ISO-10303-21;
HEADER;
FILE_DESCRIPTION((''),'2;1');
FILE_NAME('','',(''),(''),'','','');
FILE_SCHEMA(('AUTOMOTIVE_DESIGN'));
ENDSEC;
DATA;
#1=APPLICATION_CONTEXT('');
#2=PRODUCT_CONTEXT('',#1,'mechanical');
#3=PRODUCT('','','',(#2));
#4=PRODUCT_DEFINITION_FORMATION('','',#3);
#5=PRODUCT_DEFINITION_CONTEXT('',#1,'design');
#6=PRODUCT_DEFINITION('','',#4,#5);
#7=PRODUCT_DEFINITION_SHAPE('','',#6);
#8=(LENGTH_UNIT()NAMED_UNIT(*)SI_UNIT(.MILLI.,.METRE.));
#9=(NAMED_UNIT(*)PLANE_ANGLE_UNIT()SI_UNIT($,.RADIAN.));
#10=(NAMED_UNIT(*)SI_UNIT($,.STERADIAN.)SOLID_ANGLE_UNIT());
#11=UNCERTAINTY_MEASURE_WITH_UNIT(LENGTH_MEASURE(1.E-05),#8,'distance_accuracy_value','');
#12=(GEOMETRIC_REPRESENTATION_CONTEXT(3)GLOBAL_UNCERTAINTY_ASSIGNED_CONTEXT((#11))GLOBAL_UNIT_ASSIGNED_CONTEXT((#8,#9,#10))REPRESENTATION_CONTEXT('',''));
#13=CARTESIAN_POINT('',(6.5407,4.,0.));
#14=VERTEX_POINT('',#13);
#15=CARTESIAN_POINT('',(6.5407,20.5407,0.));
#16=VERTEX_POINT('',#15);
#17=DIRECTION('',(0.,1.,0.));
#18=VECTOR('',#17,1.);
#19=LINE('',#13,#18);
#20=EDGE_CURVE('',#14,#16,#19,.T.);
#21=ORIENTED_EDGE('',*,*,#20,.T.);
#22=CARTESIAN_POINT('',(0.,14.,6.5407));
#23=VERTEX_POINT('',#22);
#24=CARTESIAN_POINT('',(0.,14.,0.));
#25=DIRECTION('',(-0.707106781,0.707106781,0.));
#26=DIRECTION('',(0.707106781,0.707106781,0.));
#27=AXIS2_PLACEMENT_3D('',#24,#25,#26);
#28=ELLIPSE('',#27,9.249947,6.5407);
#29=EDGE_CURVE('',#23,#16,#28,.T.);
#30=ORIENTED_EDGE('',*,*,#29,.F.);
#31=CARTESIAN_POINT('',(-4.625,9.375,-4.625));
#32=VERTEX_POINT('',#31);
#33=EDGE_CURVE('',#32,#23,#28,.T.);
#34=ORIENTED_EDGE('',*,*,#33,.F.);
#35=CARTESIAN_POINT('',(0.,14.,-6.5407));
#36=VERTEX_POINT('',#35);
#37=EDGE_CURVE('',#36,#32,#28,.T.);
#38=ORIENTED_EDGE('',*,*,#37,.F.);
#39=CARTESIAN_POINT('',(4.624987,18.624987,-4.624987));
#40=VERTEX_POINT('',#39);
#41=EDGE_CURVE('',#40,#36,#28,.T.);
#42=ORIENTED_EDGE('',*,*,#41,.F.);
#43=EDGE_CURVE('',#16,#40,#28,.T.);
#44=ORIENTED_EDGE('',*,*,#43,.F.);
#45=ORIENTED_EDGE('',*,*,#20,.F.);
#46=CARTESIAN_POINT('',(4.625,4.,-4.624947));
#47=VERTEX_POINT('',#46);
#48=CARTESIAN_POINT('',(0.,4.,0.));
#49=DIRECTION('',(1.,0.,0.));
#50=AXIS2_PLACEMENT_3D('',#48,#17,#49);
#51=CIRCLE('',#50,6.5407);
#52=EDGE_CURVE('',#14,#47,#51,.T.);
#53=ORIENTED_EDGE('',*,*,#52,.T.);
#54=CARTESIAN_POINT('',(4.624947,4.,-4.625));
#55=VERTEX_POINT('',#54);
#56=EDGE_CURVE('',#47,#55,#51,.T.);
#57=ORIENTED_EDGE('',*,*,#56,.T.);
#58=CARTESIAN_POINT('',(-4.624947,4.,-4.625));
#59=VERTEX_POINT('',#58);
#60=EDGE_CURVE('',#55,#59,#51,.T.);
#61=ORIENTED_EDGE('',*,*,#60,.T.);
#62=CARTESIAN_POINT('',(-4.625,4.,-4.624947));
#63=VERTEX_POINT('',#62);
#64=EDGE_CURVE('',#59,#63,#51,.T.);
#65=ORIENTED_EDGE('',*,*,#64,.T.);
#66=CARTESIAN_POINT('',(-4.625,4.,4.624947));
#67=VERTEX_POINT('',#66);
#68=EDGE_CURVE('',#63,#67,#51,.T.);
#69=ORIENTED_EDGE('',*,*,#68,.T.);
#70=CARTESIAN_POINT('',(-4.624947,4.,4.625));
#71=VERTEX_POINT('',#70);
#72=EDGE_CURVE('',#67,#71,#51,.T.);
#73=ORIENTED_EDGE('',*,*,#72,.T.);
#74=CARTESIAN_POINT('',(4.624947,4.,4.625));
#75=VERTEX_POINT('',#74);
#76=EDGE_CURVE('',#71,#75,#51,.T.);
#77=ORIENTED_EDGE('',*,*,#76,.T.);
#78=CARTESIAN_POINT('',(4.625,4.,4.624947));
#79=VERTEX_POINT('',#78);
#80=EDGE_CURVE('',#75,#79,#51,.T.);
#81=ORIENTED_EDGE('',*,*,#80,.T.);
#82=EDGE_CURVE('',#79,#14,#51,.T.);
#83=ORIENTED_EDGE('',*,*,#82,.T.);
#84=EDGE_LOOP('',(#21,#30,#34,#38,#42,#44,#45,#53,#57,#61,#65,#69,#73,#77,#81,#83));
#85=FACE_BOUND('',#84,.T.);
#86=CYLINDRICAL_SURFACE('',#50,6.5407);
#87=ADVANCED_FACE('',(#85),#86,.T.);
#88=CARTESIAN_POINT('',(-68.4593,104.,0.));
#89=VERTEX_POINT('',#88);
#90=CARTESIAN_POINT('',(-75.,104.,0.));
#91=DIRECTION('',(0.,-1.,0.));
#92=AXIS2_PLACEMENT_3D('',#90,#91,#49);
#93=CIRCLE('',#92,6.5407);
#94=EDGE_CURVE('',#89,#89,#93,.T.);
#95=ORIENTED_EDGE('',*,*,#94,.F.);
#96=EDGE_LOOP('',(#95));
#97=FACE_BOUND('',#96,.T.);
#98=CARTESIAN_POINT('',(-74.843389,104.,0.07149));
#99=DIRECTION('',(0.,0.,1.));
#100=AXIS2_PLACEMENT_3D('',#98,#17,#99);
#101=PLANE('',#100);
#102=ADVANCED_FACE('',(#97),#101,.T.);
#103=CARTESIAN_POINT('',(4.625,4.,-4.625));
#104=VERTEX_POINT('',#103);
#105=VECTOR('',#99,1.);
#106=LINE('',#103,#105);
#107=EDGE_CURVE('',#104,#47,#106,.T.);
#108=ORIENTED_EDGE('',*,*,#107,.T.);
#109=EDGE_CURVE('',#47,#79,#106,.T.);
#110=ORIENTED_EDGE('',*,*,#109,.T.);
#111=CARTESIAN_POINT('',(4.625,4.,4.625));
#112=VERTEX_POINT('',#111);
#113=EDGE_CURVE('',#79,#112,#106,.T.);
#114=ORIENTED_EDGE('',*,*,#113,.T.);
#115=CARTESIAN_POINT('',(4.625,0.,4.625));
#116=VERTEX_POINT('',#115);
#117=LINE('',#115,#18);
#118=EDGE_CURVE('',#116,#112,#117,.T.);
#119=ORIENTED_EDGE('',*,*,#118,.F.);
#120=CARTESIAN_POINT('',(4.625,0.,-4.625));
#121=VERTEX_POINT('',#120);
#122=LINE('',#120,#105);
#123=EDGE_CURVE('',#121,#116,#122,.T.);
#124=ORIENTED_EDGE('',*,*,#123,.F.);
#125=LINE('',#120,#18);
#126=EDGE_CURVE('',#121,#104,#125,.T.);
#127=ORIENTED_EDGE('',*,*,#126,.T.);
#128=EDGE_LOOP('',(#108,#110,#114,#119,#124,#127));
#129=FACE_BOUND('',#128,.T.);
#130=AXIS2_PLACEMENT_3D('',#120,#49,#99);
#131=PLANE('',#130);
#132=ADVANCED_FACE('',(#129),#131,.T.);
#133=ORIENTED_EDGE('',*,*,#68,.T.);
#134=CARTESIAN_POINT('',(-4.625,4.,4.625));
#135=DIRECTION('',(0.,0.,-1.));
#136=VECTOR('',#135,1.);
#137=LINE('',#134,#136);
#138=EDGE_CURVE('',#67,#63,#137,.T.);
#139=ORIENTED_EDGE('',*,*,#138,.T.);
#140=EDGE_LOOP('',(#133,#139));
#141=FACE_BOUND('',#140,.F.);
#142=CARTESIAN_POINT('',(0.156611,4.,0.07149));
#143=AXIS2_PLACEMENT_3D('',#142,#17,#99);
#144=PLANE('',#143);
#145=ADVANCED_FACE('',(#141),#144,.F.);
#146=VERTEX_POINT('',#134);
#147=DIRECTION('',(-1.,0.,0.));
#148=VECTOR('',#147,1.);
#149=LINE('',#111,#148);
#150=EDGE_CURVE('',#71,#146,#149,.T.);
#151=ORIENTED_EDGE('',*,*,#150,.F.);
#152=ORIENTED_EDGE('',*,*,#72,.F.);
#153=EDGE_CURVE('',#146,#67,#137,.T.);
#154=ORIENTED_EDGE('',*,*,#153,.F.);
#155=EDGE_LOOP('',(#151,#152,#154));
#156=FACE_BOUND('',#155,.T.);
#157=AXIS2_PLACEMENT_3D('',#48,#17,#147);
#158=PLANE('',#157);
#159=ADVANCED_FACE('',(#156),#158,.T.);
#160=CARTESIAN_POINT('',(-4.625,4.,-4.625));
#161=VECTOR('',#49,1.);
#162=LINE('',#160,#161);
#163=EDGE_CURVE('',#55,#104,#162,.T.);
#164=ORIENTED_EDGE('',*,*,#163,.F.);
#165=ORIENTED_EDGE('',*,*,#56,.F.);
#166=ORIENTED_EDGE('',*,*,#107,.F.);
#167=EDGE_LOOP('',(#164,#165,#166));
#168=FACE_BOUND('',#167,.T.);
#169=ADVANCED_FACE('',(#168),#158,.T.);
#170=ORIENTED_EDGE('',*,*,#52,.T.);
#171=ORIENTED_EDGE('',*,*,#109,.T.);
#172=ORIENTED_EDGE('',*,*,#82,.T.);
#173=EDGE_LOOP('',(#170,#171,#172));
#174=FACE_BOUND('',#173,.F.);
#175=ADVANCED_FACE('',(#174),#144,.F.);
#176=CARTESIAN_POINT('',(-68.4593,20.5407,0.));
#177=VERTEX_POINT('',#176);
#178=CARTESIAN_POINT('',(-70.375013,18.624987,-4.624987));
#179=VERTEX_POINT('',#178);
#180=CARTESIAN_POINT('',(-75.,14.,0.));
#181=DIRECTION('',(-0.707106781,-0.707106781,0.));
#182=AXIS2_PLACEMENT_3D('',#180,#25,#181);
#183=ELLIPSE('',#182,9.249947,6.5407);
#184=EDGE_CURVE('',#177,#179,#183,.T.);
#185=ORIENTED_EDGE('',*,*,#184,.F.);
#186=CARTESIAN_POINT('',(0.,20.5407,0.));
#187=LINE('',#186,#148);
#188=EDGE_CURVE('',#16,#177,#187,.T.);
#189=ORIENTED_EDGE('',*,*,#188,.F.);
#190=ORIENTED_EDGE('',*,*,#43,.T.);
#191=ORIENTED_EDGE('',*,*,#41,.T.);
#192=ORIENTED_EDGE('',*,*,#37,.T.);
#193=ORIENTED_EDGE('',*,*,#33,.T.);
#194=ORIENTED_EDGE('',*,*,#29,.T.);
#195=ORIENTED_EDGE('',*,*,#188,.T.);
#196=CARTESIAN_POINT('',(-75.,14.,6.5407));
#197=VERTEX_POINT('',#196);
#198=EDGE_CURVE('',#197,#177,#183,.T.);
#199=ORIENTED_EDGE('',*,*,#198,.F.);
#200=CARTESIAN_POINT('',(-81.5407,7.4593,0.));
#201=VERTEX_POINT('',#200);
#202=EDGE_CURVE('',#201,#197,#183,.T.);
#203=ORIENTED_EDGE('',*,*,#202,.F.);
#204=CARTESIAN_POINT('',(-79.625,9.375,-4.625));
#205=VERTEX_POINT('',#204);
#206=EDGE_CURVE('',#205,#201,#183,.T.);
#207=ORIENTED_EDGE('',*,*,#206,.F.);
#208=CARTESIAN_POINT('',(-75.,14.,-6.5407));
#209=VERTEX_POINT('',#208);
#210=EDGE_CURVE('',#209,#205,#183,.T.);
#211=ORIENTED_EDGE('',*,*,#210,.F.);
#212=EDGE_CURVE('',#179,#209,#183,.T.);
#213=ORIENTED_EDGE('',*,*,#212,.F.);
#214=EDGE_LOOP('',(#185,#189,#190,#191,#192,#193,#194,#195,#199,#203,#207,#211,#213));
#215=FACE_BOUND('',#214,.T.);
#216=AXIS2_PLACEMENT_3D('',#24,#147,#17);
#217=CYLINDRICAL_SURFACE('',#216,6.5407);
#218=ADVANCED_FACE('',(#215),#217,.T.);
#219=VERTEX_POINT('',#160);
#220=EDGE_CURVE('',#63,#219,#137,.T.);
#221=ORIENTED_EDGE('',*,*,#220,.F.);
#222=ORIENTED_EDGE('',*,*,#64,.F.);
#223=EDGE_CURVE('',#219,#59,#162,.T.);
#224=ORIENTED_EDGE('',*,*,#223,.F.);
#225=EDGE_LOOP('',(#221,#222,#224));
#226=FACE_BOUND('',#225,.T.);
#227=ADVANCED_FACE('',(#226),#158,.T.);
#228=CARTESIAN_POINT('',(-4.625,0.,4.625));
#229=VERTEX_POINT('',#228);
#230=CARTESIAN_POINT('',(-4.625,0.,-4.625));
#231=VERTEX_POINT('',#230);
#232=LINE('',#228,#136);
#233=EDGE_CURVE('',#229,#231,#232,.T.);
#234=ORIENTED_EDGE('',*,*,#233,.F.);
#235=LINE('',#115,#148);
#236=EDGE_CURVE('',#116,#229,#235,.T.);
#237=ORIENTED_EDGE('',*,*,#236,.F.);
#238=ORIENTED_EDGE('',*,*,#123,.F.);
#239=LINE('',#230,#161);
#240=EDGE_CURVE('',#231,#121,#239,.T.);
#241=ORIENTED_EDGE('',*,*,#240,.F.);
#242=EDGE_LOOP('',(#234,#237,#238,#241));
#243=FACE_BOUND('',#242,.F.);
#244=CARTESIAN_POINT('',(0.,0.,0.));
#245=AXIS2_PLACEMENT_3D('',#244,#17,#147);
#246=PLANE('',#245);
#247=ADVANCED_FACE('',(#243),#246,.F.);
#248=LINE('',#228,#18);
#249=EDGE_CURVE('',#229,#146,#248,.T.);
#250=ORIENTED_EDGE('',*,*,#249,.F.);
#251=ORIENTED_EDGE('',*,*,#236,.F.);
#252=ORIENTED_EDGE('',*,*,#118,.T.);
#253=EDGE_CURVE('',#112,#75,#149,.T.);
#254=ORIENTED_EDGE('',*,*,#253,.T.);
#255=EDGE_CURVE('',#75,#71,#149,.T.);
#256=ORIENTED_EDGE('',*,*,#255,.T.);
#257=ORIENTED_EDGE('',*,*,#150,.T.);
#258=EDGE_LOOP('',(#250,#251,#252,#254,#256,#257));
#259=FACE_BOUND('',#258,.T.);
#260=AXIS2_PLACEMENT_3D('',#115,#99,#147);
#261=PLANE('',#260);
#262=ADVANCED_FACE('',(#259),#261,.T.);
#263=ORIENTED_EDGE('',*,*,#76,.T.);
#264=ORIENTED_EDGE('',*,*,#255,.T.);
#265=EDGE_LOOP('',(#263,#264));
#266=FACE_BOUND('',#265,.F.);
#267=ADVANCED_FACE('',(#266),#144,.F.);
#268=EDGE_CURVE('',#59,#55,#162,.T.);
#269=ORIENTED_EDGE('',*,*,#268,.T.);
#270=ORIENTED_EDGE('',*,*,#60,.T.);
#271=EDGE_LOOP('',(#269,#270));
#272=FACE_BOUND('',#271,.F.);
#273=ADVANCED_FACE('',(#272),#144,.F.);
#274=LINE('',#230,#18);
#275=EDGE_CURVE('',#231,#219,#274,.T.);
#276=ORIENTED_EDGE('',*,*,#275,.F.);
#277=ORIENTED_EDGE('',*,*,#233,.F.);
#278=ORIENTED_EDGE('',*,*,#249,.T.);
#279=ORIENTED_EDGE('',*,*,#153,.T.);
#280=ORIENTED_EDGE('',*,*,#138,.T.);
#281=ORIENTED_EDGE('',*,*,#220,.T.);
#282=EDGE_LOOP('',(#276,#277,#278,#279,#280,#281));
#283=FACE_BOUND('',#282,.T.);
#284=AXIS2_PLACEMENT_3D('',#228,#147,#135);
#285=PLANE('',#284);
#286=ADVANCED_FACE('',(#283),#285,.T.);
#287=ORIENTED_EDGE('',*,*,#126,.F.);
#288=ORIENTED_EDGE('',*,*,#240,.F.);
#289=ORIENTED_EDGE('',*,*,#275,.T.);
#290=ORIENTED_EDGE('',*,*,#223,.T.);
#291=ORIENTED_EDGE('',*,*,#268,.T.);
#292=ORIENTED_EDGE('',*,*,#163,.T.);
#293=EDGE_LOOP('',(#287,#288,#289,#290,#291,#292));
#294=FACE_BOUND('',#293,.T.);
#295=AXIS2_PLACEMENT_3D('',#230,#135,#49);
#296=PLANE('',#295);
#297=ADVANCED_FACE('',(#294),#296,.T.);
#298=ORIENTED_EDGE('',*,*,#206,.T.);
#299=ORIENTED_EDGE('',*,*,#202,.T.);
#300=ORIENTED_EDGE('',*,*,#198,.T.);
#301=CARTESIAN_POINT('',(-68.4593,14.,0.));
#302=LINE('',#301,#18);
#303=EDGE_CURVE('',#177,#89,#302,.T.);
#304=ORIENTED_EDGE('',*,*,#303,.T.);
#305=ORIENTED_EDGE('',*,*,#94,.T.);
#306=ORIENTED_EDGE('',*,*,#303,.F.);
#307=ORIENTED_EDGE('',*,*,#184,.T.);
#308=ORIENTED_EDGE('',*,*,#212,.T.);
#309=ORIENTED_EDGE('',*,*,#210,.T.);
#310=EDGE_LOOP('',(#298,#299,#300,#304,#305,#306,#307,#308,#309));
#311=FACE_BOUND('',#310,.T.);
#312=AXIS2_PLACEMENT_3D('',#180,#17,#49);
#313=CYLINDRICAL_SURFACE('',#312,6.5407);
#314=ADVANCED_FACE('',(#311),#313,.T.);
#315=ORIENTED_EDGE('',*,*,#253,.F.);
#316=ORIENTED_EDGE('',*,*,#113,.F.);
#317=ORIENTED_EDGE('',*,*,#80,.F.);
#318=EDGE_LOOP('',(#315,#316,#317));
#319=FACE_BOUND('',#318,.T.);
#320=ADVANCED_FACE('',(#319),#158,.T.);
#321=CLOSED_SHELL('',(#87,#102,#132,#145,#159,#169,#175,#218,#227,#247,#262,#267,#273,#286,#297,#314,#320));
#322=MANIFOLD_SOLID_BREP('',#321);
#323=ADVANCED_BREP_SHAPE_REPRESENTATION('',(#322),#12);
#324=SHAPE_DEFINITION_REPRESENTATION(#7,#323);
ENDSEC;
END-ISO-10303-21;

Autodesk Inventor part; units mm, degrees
ref_plane "YZ Plane" through (0, 0, 0) normal (1, 0, 0) x (0, 1, 0)
ref_plane "XZ Plane" through (0, 0, 0) normal (0, 1, 0) x (-1, 0, 0)
sketch "Sketch1" plane through (0, 0, 0) normal (0, 1, 0) x (-1, 0, 0)
  line L0 (-4.625, 4.625) -> (4.625, 4.625)
  line L1 (4.625, 4.625) -> (4.625, -4.625)
  line L2 (4.625, -4.625) -> (-4.625, -4.625)
  line L3 (-4.625, -4.625) -> (-4.625, 4.625)
  point P0 (0, 0)
  point P1 (4.625, 0)
  point P2 (0, -4.625)
  dimension "d0" = 9.25
extrude "Extrusion1" add sketch "Sketch1" along normal blind 4
sketch "Sketch2" plane through (0, 4, 0) normal (0, 1, 0) x (1, 0, 0)
  line L0 (4.625, 4.625) -> (-4.625, 4.625) projected
  circle A0 centre (0, 0) radius 6.5407
sketch "Sketch3" plane through (0, 0, 0) normal (0, 0, 1) x (1, 0, 0)
  line L0 (-4.625, 4) -> (4.625, 4) projected
  line L1 (0, 4) -> (0, 14)
  line L2 (0, 14) -> (-75, 14)
  line L3 (-75, 14) -> (-75, 104)
  point P0 (0, 0)
  dimension "d3" = 10
  dimension "d4" = 75
  dimension "d5" = 90
sweep "Sweep1" add profiles "Sketch2" path "Sketch3" path curves L1 L2 L3
properties part number "handle"
